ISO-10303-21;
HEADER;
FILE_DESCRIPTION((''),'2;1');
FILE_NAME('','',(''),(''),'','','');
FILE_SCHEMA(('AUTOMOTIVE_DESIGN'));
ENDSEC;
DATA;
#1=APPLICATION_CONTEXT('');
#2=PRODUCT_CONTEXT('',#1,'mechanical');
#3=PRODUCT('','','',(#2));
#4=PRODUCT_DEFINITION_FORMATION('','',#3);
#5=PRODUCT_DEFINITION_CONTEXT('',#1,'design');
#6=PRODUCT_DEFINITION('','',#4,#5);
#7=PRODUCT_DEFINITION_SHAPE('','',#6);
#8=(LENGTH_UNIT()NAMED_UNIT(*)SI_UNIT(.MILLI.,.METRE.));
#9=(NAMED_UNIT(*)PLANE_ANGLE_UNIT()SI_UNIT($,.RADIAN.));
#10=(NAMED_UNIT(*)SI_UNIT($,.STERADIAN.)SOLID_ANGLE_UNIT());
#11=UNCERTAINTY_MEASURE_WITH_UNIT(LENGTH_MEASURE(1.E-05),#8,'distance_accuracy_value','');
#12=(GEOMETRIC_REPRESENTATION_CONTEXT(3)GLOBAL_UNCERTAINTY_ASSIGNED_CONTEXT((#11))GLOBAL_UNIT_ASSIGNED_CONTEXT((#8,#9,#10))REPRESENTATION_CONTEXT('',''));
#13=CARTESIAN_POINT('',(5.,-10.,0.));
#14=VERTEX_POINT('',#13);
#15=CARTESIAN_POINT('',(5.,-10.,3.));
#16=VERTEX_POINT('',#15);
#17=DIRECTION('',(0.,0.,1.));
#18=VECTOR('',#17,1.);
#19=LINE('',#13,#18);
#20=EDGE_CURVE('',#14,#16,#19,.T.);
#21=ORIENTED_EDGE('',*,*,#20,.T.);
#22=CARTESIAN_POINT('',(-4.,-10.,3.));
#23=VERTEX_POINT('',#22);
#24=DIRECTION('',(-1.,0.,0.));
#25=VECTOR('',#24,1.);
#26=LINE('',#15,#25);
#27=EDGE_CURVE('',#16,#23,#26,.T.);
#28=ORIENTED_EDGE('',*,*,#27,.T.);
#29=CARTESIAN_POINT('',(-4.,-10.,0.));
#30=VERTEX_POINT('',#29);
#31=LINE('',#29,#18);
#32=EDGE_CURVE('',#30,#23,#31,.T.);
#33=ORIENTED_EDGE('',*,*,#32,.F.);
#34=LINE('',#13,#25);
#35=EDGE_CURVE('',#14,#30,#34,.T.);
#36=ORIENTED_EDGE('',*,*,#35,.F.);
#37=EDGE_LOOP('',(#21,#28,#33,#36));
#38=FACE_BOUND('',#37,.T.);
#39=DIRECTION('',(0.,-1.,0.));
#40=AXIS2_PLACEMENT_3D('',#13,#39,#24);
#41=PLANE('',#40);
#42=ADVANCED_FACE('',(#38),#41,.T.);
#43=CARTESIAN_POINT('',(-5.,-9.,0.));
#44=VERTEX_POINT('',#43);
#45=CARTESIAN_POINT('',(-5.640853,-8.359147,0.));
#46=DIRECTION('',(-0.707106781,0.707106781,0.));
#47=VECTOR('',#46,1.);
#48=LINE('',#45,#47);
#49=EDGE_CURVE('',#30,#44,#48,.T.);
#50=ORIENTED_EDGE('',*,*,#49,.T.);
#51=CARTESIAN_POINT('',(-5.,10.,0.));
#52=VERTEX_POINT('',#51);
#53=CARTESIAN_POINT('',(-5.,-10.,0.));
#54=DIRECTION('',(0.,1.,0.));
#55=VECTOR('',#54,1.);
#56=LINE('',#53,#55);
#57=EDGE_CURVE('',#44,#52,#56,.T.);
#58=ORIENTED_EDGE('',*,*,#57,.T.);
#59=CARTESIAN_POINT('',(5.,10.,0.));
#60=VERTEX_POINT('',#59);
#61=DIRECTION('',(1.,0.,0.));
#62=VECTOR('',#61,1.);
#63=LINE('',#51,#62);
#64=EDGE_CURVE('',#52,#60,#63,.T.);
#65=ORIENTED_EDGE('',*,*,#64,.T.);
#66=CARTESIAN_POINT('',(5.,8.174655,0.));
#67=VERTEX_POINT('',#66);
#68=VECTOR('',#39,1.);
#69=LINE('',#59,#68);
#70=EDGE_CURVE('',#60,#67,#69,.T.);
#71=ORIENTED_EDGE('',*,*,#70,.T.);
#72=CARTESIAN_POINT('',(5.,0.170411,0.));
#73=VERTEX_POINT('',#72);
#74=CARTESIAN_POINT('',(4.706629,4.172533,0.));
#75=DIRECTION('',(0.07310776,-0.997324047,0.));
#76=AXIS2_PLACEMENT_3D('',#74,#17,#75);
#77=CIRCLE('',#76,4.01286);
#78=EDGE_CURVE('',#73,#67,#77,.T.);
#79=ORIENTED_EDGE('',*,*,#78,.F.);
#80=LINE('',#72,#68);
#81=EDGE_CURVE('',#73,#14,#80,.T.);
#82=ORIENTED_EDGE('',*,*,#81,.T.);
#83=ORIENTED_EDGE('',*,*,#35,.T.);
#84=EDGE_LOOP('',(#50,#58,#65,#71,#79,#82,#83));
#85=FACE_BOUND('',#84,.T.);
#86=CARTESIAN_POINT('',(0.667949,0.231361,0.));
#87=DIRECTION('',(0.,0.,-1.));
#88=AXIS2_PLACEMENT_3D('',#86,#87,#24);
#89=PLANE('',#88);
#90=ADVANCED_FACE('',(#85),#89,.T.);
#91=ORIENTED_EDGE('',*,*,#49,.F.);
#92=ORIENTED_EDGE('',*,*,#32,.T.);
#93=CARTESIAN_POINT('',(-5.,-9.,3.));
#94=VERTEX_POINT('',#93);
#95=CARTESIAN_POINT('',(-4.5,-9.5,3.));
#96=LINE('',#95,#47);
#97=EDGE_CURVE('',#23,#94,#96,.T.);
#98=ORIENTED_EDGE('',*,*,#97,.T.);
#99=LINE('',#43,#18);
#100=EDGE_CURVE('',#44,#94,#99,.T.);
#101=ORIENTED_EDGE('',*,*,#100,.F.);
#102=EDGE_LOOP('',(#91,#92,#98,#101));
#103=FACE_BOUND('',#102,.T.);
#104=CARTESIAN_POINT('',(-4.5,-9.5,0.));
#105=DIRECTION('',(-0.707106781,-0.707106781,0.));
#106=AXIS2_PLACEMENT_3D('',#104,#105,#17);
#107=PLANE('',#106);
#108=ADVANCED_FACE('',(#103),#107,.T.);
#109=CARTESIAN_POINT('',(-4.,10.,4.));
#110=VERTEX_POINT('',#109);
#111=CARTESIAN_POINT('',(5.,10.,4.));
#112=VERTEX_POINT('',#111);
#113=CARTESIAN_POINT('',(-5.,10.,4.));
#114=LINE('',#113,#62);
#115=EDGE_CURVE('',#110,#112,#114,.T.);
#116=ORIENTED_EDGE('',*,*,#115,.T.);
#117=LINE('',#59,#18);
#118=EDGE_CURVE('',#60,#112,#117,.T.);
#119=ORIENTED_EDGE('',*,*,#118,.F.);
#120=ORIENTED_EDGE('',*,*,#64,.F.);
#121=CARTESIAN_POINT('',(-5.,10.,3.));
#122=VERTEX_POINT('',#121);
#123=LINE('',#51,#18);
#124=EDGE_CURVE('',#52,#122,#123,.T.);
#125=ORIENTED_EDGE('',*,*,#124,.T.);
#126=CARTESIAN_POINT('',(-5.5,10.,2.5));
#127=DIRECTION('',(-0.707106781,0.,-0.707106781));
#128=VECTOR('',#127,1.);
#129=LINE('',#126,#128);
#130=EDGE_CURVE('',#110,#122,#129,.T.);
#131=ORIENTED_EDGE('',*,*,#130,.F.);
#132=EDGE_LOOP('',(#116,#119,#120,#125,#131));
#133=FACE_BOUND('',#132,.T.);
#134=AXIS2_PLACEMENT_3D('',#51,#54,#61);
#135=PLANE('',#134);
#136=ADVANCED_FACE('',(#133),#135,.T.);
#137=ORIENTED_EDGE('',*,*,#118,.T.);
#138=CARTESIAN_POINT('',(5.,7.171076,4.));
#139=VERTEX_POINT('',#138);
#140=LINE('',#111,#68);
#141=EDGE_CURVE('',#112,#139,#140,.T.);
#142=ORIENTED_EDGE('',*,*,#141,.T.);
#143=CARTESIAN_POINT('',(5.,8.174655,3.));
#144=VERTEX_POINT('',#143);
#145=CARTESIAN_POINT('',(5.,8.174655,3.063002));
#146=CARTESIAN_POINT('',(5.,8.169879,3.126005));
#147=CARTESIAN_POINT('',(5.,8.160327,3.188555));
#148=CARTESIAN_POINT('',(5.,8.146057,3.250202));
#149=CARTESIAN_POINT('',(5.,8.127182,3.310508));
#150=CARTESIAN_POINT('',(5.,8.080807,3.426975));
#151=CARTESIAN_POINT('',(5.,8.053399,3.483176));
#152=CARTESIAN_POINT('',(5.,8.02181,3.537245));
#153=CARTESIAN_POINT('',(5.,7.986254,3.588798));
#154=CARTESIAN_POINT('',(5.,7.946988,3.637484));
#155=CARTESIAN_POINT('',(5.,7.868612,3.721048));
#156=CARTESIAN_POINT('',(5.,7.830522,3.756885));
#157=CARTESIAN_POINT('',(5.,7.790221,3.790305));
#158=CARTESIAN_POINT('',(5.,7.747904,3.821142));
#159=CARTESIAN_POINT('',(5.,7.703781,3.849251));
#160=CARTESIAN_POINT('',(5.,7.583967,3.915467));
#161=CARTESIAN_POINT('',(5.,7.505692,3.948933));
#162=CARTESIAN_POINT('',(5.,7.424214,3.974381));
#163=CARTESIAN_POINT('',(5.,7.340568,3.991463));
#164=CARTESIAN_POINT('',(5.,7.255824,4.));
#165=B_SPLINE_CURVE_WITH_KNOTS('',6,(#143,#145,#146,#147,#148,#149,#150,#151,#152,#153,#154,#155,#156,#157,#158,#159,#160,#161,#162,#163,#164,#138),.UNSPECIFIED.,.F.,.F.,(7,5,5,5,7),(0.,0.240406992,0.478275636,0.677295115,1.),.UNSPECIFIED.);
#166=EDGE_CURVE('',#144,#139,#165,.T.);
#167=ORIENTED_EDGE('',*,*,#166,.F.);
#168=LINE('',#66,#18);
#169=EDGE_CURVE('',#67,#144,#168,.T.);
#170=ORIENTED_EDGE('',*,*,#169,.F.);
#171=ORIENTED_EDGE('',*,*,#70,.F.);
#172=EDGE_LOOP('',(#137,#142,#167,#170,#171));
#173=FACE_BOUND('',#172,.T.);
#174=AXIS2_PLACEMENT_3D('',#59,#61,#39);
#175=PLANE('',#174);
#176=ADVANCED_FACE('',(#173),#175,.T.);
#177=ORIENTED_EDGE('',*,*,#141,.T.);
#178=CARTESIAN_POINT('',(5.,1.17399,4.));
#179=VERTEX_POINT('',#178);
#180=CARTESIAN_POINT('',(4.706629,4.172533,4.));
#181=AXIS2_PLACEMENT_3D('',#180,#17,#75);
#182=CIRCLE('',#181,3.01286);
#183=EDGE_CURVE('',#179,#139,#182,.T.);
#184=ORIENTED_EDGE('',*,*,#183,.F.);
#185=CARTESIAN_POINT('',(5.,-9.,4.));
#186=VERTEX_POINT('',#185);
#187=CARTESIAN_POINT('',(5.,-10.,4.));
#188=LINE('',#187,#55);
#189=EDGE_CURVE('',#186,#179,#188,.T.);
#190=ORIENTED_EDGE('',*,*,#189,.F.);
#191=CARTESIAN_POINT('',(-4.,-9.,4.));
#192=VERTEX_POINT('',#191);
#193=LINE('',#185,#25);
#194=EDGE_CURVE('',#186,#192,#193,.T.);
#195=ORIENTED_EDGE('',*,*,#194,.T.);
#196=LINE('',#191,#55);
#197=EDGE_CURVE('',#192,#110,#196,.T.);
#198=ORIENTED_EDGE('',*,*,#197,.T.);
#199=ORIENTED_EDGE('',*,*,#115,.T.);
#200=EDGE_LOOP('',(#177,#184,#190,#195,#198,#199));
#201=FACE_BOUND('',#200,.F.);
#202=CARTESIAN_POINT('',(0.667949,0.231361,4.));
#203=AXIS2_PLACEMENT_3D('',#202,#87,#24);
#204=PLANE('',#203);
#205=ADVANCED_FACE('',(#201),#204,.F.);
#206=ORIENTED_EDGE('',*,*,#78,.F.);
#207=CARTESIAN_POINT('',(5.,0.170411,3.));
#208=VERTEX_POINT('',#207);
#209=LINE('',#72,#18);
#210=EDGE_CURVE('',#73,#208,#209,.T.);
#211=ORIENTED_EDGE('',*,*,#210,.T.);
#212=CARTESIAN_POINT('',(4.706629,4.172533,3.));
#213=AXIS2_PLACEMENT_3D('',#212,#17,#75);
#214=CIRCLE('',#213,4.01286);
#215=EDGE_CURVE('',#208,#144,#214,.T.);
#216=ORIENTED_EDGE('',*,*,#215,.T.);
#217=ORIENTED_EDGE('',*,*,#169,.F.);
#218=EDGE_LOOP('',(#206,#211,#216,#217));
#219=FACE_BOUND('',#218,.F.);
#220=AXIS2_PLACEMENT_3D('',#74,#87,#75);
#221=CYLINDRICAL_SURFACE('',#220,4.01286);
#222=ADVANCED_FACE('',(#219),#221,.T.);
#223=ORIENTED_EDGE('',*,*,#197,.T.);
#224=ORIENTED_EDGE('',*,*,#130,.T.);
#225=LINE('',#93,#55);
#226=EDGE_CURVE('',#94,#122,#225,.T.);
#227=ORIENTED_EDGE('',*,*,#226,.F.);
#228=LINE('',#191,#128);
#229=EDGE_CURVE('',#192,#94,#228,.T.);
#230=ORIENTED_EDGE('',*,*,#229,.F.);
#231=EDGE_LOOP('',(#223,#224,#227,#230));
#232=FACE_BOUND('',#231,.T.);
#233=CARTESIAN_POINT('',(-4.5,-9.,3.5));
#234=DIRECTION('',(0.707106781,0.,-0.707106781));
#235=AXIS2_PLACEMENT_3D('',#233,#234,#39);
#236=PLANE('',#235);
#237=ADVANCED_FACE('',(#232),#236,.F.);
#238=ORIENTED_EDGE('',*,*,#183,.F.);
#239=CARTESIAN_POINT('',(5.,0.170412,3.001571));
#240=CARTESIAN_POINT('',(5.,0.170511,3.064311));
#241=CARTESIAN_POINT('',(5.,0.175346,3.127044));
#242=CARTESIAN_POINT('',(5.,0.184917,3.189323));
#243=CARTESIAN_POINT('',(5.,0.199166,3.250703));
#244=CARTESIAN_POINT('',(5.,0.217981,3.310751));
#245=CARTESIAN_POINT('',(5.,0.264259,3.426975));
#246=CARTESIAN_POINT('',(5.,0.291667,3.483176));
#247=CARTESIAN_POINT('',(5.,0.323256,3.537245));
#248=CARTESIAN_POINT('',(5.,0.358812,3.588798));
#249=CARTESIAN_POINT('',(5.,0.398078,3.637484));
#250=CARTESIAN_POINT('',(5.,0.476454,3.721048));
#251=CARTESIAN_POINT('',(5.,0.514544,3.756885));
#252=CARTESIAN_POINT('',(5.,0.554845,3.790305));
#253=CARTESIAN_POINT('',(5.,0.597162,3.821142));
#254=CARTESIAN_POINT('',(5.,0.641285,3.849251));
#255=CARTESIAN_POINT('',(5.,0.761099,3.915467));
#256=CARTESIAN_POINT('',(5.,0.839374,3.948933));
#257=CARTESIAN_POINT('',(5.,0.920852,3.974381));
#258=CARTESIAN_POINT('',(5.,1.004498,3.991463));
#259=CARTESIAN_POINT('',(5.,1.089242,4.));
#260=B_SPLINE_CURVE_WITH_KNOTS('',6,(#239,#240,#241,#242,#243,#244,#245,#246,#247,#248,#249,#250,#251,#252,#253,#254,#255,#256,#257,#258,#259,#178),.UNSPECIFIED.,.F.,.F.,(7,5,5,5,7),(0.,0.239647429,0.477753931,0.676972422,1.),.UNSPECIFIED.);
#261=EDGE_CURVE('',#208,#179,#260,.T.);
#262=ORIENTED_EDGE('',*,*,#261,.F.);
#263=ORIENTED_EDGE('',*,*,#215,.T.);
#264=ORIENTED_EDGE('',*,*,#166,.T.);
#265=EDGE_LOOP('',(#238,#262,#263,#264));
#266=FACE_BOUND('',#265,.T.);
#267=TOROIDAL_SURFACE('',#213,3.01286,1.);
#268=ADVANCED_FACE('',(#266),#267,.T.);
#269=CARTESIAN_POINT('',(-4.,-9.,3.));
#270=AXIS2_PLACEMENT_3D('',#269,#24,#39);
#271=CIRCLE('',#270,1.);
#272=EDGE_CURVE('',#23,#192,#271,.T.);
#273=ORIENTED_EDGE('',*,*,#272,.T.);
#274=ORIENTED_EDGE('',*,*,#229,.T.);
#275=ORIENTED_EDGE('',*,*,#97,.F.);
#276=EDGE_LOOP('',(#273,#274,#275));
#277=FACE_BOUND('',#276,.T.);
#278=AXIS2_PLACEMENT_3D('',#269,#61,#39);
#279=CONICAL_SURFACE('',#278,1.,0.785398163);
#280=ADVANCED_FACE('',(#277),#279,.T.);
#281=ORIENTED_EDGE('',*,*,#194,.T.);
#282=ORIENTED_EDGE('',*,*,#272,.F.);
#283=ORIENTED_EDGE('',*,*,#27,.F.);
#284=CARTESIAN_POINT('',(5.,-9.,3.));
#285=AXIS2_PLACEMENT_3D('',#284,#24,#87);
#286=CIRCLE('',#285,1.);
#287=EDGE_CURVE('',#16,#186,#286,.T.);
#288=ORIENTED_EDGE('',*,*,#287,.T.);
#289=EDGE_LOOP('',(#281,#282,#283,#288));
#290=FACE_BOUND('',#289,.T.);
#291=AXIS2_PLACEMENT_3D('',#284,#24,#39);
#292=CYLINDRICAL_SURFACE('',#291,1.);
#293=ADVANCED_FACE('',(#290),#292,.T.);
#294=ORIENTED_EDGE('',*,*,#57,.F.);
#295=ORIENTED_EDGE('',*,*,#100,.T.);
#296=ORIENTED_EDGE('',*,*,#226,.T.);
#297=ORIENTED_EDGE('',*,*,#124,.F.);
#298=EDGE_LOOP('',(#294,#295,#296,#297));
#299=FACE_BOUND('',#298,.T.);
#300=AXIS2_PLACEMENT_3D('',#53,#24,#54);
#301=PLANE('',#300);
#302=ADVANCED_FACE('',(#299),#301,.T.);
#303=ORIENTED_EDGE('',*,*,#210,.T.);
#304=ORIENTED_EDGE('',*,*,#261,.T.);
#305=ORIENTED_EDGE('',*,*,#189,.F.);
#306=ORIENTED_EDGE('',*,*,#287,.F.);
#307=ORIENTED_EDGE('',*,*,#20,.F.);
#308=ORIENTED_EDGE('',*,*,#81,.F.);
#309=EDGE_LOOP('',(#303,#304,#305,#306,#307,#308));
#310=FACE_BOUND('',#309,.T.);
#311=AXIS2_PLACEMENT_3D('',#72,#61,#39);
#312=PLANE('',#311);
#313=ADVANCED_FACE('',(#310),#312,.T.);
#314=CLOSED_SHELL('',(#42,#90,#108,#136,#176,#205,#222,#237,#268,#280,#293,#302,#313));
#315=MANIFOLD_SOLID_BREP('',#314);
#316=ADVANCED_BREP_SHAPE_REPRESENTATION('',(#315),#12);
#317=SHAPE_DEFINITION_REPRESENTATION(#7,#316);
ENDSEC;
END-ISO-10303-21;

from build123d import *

# Parameters (mm, degrees)
PAD_DEPTH    = 4
FILLET_R     = 1
FILLET001_R  = 1
CHAMFER_SIZE = 1


with BuildPart() as part:
    # Sketch → Pad (new body)
    with BuildSketch(Plane.XY):
        with BuildLine():
            Line((-5, 10), (5, 10))
            Line((5, 10), (5, 8.174655))
            ThreePointArc((5, 0.170411), (8.719489, 4.172533), (5, 8.174655))
            Line((5, 0.170411), (5, -10))
            Line((5, -10), (-5, -10))
            Line((-5, -10), (-5, 10))
        make_face()
    extrude(amount=PAD_DEPTH)

    # Fillet
    fillet_edges = [part.edges().sort_by_distance(p)[0] for p in [
        (8.719489, 4.172533, 4),
    ]]
    fillet(fillet_edges, radius=FILLET_R)

    # Fillet001
    fillet001_edges = [part.edges().sort_by_distance(p)[0] for p in [
        (0, -10, 4),
    ]]
    fillet(fillet001_edges, radius=FILLET001_R)

    # Chamfer
    chamfer_edges = [part.edges().sort_by_distance(p)[0] for p in [
        (-5, 0.5, 4),
    ]]
    chamfer(chamfer_edges, length=CHAMFER_SIZE)


solid = part.part
